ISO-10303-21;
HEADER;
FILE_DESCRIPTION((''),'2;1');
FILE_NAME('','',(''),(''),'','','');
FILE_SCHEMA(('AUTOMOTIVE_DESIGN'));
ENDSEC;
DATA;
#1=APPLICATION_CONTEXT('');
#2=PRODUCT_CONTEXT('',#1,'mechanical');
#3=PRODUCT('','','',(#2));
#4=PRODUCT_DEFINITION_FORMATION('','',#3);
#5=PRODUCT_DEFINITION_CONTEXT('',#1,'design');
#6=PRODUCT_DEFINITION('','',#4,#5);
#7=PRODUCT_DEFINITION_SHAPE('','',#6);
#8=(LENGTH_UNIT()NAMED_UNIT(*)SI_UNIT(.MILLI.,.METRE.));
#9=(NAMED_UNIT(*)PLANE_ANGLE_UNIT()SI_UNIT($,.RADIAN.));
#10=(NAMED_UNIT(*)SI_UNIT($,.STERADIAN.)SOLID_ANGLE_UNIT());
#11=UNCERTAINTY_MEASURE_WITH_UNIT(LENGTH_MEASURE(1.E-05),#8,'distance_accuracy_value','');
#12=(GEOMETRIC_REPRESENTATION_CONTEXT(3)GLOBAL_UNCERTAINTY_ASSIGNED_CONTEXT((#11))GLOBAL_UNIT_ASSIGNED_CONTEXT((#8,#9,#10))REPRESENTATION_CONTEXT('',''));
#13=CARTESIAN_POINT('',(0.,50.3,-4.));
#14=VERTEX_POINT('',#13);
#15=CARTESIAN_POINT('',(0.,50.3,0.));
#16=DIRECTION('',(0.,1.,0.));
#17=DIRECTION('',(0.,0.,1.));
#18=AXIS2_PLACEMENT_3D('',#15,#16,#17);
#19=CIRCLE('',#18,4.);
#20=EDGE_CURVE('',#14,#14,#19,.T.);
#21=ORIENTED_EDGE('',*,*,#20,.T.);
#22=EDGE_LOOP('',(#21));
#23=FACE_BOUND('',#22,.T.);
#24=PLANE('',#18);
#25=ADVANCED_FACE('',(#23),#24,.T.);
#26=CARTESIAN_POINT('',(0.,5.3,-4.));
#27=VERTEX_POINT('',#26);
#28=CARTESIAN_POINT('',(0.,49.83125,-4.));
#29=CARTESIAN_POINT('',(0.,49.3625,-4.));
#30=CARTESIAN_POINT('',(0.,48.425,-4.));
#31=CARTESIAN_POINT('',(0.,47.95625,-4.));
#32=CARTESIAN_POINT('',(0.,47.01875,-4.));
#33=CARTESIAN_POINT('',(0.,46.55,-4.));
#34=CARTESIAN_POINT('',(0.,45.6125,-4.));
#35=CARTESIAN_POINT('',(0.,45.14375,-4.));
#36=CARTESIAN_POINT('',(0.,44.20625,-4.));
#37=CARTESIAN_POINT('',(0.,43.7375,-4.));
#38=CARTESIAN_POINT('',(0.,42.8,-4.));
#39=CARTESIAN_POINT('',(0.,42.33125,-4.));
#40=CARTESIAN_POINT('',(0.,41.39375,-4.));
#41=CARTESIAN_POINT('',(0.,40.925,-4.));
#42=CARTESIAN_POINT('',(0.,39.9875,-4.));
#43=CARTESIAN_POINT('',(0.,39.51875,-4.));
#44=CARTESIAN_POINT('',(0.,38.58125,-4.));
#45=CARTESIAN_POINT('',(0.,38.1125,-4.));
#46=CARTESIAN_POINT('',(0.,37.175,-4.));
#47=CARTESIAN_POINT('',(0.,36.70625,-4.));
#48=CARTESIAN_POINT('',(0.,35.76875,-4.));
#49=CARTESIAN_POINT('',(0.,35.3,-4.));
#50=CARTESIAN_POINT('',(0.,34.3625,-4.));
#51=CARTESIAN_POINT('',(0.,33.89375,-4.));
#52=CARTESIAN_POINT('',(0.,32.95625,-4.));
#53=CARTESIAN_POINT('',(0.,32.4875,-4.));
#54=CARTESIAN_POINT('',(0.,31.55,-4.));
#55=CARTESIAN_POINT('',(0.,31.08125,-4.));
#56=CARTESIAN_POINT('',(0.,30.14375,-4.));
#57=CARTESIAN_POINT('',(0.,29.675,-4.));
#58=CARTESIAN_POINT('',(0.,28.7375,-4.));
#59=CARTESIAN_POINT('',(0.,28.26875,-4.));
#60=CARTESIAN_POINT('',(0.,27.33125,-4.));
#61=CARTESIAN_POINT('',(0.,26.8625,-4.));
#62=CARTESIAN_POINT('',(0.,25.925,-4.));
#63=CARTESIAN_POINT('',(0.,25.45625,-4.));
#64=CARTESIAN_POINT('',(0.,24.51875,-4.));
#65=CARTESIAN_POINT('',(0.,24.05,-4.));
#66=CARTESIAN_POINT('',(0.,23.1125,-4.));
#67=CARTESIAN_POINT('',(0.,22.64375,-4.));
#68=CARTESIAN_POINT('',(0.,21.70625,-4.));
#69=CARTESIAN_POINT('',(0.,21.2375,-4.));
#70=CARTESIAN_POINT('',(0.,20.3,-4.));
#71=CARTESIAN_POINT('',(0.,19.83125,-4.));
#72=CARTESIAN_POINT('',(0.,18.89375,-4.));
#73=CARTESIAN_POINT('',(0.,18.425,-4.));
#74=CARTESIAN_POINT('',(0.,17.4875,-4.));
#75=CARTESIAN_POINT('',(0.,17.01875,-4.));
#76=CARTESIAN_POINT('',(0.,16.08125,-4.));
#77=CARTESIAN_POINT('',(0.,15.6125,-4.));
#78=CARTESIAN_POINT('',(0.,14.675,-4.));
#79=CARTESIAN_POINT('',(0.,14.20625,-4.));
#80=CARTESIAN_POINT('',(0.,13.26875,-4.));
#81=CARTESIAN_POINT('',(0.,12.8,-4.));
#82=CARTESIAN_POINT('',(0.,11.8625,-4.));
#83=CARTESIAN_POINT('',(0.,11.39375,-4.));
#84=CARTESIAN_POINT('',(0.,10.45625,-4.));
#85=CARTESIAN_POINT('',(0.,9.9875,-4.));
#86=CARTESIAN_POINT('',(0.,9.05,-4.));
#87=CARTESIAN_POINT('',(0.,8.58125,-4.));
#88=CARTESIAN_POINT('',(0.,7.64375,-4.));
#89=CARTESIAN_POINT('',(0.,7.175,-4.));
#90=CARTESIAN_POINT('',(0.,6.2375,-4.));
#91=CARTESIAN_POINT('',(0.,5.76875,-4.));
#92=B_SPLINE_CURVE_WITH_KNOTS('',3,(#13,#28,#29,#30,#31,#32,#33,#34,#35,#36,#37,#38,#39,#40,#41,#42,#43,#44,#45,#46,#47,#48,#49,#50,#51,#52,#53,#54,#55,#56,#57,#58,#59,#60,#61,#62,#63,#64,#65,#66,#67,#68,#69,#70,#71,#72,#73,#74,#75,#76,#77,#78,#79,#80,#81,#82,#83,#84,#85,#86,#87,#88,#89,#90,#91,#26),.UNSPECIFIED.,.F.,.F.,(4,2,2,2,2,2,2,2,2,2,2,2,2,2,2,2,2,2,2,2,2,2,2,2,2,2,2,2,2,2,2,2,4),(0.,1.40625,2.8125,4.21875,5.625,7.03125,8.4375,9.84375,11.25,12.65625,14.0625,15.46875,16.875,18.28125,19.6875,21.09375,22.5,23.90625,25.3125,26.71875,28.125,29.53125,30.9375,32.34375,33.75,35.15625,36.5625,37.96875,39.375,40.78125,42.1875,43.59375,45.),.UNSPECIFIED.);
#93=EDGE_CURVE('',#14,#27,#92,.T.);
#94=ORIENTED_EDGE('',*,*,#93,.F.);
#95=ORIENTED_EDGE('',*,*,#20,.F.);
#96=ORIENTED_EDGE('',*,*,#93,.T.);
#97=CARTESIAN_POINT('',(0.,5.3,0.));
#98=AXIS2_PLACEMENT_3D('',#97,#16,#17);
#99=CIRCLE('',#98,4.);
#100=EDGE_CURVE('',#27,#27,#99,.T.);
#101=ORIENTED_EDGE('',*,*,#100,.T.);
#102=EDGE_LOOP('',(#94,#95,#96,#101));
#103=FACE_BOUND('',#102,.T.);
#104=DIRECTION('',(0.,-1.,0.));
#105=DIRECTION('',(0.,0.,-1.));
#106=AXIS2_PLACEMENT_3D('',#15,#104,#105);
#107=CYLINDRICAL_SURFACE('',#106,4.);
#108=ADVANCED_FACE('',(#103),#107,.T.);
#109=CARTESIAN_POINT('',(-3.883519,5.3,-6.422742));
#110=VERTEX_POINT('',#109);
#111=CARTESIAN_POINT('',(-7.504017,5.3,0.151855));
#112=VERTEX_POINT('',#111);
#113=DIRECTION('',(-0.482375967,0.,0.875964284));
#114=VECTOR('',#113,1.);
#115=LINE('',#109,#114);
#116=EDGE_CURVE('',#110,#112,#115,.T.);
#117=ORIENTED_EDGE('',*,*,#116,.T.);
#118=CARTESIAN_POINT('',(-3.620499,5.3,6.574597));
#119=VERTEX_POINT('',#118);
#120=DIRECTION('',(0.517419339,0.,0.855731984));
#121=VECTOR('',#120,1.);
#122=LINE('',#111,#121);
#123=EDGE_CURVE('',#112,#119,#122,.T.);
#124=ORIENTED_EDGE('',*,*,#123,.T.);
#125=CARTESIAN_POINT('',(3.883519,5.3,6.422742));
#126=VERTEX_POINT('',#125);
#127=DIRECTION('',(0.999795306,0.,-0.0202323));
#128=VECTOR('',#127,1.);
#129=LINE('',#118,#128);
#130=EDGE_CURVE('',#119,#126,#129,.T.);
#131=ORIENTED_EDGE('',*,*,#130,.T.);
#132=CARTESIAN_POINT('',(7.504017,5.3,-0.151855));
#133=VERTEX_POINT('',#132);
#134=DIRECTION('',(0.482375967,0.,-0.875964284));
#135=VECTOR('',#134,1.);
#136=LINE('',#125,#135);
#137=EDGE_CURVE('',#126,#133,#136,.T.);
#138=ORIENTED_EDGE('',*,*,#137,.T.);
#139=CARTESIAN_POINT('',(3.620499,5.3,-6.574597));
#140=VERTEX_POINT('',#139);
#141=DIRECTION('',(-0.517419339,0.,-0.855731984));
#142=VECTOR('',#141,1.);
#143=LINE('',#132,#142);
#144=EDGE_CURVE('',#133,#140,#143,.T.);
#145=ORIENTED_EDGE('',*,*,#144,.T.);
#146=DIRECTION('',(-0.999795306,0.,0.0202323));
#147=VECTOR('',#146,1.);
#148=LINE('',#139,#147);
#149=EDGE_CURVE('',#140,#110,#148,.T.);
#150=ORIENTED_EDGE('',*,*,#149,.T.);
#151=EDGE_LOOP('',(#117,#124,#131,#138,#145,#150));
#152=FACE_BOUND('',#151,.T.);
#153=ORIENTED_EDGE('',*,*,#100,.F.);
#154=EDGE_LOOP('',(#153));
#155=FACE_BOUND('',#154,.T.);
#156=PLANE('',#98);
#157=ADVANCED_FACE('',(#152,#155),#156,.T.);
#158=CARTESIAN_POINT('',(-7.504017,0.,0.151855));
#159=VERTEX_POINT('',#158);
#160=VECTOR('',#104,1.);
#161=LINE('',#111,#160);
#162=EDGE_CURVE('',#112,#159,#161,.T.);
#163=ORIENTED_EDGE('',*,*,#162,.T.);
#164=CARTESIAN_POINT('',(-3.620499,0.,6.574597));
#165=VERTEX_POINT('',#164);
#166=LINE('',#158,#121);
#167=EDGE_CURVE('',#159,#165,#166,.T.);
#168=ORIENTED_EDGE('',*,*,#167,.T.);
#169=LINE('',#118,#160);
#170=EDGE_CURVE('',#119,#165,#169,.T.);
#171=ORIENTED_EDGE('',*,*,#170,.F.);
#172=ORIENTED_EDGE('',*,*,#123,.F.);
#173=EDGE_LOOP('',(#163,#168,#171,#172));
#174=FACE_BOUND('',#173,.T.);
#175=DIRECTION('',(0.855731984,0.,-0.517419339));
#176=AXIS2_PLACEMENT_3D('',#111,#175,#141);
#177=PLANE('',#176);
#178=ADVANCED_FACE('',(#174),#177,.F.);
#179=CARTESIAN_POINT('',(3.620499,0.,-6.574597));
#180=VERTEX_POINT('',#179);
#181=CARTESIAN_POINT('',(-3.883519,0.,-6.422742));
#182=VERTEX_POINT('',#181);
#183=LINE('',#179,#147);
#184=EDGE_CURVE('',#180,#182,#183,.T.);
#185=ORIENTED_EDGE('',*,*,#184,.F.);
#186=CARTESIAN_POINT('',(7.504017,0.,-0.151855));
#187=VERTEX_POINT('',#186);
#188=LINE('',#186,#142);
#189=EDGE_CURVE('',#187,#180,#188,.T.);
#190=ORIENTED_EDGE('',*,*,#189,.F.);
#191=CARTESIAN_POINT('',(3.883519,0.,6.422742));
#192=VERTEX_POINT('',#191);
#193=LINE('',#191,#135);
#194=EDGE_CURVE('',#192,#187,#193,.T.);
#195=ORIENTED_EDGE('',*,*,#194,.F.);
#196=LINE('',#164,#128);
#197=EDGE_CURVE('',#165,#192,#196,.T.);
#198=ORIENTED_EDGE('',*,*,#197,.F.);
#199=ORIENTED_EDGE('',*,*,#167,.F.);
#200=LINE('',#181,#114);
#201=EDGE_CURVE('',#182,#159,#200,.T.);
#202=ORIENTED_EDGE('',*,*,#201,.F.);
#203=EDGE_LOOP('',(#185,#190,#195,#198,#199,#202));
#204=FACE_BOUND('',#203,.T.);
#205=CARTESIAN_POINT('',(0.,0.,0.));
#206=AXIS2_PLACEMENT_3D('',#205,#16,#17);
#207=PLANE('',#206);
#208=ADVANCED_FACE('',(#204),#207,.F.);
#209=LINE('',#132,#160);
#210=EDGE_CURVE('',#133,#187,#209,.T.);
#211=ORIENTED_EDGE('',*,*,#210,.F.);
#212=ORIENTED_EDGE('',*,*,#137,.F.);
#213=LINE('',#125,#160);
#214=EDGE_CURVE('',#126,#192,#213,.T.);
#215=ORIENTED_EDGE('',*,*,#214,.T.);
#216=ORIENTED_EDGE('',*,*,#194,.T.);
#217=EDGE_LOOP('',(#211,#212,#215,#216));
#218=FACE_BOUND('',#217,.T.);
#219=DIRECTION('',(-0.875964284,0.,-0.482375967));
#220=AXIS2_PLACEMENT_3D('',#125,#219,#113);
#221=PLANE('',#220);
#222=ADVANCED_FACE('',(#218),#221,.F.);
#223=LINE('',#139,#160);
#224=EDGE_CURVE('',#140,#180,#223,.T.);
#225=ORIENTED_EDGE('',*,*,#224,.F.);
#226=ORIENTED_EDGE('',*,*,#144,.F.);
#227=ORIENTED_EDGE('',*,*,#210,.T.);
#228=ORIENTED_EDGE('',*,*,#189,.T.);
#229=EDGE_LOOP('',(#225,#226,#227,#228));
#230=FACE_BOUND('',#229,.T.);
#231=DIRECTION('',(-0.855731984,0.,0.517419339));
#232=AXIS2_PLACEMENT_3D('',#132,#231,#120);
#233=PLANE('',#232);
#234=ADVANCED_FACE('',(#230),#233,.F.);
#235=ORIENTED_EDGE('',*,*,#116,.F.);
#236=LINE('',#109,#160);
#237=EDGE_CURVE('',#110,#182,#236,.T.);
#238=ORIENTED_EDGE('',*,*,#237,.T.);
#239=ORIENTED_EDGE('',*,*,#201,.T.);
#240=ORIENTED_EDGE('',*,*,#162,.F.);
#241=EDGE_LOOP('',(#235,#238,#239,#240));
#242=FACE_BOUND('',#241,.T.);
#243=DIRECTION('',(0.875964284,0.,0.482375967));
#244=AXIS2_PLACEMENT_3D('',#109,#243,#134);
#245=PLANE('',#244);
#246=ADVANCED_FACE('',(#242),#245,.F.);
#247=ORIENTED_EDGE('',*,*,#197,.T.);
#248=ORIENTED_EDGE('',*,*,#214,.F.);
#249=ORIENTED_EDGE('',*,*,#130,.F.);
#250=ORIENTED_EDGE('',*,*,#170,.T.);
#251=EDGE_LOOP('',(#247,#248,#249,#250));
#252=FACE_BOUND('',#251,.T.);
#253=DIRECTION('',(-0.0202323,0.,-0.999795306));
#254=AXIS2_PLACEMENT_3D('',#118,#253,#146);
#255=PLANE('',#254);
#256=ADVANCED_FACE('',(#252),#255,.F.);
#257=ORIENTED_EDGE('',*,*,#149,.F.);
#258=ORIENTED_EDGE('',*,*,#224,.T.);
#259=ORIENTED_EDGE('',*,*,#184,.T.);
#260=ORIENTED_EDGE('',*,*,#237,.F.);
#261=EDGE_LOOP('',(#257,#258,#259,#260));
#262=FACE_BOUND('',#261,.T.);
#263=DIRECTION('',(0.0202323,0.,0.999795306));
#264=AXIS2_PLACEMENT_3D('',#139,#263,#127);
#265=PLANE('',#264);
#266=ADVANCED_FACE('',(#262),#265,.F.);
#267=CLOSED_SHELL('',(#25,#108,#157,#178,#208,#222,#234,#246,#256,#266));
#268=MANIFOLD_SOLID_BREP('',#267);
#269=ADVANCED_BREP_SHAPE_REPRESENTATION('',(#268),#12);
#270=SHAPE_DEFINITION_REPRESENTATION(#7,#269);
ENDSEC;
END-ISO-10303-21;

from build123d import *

# Parameters (mm, degrees)
BOSS_EXTRUDE1_DEPTH = 5.3
SKETCH2_R           = 4
BOSS_EXTRUDE2_DEPTH = 45


with BuildPart() as part:
    # Sketch1 → Boss-Extrude1 (new body)
    with BuildSketch(Plane(origin=(0, 0, 0), x_dir=(1, 0, 0), z_dir=(0, 1, 0))):
        Polygon((3.88351853, -6.422742184), (7.504017158, 0.151854611), (3.620498628, 6.574596795), (-3.88351853, 6.422742184), (-7.504017158, -0.151854611), (-3.620498628, -6.574596795), align=None)
    extrude(amount=BOSS_EXTRUDE1_DEPTH)

    # Sketch2 → Boss-Extrude2 (add)
    with BuildSketch(Plane(origin=(0, 5.3, 0), x_dir=(1, 0, 0), z_dir=(0, 1, 0))):
        with Locations(Location((0, 0, 0), (0, 0, 90))):
            Circle(SKETCH2_R)
    extrude(amount=BOSS_EXTRUDE2_DEPTH)


solid = part.part
